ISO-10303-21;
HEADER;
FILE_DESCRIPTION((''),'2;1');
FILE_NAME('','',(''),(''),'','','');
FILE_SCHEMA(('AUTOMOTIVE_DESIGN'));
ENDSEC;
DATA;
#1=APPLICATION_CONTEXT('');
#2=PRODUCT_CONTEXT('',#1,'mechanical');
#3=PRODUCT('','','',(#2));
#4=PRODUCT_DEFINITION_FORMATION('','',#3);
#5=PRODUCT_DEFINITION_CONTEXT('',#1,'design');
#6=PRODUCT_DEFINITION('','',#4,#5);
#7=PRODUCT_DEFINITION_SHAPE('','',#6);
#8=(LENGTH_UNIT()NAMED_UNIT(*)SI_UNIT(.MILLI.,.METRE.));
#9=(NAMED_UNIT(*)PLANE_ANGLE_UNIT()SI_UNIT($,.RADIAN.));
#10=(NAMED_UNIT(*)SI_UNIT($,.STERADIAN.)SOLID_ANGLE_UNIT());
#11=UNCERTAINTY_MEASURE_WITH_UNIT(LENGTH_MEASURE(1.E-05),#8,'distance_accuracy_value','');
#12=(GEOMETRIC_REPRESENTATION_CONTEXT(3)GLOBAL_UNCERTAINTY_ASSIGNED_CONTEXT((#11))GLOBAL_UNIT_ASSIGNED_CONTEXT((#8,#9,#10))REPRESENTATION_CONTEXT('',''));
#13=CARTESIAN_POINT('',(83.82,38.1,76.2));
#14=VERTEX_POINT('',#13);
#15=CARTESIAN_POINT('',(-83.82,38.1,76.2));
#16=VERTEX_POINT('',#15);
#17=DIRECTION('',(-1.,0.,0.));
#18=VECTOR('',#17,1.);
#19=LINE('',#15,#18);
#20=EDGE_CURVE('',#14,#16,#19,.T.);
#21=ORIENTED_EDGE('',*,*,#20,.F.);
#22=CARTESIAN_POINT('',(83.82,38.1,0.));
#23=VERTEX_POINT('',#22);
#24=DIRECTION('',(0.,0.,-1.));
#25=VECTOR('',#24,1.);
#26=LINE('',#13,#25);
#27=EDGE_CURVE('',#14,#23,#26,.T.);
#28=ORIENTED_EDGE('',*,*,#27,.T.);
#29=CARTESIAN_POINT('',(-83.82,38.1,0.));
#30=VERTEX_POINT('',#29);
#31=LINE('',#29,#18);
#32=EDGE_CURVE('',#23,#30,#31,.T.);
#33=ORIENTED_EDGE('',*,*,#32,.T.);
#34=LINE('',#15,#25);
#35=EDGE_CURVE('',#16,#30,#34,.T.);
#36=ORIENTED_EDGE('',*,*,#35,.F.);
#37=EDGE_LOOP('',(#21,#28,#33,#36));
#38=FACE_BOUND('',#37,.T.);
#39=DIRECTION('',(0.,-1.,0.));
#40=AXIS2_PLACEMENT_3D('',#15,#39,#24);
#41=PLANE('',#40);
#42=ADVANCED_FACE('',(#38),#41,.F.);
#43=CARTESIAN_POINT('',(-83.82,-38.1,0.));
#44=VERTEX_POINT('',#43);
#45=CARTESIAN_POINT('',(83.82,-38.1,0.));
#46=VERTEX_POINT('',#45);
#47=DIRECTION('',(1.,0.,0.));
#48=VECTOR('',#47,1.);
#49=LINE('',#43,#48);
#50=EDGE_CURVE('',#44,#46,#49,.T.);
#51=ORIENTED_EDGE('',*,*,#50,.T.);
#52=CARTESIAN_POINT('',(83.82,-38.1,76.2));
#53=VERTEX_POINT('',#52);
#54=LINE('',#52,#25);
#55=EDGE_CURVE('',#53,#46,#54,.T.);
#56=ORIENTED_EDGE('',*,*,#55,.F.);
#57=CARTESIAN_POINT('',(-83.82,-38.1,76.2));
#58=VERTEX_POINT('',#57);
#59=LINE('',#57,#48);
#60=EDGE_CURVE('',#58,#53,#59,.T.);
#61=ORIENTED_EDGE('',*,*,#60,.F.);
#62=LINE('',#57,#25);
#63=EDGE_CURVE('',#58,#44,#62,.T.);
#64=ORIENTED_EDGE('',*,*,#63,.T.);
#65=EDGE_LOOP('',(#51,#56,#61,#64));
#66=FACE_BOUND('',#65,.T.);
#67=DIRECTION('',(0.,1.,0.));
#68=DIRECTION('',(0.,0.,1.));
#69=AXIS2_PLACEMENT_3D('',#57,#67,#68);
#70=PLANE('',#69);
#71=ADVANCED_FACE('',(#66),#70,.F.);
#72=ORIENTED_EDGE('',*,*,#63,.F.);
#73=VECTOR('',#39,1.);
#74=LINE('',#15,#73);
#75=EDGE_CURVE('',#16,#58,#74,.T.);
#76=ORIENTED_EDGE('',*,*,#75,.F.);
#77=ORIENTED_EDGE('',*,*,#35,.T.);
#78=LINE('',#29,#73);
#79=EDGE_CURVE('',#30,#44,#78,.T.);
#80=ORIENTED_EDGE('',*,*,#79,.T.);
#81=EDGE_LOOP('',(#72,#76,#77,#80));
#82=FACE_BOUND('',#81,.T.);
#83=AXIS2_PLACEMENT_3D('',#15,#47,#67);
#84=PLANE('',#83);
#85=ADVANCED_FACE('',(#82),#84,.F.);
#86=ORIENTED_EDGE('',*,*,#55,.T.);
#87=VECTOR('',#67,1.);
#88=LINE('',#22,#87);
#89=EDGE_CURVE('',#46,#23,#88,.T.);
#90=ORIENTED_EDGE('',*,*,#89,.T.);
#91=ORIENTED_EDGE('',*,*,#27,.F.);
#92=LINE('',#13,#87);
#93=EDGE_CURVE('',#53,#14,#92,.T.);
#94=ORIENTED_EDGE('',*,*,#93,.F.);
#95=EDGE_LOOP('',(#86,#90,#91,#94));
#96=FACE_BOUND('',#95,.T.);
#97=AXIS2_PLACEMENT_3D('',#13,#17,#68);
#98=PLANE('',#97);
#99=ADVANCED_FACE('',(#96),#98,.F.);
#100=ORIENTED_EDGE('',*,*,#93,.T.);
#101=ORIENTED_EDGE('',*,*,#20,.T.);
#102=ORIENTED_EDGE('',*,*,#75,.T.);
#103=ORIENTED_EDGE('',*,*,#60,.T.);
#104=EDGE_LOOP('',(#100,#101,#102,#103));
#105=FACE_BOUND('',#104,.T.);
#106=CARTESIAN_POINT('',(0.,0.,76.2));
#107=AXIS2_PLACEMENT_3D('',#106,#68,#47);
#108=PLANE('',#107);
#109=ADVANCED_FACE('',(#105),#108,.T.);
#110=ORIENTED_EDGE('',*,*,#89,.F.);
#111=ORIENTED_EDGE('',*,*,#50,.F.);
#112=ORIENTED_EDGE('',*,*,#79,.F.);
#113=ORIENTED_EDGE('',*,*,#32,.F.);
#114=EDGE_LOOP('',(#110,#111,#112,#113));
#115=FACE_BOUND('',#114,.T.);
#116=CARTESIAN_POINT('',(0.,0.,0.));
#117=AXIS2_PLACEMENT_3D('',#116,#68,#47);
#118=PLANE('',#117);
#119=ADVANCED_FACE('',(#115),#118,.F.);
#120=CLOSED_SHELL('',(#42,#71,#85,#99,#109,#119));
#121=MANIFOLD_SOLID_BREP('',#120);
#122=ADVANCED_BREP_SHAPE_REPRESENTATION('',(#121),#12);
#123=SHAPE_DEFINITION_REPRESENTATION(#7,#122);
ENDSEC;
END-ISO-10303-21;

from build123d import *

# Parameters (mm, degrees)
SKETCH1_W           = 167.64
SKETCH1_H           = 76.2
BOSS_EXTRUDE1_DEPTH = 76.2


with BuildPart() as part:
    # Sketch1 → Boss-Extrude1 (new body)
    with BuildSketch(Plane.XY):
        Rectangle(SKETCH1_W, SKETCH1_H)
    extrude(amount=BOSS_EXTRUDE1_DEPTH)


solid = part.part
